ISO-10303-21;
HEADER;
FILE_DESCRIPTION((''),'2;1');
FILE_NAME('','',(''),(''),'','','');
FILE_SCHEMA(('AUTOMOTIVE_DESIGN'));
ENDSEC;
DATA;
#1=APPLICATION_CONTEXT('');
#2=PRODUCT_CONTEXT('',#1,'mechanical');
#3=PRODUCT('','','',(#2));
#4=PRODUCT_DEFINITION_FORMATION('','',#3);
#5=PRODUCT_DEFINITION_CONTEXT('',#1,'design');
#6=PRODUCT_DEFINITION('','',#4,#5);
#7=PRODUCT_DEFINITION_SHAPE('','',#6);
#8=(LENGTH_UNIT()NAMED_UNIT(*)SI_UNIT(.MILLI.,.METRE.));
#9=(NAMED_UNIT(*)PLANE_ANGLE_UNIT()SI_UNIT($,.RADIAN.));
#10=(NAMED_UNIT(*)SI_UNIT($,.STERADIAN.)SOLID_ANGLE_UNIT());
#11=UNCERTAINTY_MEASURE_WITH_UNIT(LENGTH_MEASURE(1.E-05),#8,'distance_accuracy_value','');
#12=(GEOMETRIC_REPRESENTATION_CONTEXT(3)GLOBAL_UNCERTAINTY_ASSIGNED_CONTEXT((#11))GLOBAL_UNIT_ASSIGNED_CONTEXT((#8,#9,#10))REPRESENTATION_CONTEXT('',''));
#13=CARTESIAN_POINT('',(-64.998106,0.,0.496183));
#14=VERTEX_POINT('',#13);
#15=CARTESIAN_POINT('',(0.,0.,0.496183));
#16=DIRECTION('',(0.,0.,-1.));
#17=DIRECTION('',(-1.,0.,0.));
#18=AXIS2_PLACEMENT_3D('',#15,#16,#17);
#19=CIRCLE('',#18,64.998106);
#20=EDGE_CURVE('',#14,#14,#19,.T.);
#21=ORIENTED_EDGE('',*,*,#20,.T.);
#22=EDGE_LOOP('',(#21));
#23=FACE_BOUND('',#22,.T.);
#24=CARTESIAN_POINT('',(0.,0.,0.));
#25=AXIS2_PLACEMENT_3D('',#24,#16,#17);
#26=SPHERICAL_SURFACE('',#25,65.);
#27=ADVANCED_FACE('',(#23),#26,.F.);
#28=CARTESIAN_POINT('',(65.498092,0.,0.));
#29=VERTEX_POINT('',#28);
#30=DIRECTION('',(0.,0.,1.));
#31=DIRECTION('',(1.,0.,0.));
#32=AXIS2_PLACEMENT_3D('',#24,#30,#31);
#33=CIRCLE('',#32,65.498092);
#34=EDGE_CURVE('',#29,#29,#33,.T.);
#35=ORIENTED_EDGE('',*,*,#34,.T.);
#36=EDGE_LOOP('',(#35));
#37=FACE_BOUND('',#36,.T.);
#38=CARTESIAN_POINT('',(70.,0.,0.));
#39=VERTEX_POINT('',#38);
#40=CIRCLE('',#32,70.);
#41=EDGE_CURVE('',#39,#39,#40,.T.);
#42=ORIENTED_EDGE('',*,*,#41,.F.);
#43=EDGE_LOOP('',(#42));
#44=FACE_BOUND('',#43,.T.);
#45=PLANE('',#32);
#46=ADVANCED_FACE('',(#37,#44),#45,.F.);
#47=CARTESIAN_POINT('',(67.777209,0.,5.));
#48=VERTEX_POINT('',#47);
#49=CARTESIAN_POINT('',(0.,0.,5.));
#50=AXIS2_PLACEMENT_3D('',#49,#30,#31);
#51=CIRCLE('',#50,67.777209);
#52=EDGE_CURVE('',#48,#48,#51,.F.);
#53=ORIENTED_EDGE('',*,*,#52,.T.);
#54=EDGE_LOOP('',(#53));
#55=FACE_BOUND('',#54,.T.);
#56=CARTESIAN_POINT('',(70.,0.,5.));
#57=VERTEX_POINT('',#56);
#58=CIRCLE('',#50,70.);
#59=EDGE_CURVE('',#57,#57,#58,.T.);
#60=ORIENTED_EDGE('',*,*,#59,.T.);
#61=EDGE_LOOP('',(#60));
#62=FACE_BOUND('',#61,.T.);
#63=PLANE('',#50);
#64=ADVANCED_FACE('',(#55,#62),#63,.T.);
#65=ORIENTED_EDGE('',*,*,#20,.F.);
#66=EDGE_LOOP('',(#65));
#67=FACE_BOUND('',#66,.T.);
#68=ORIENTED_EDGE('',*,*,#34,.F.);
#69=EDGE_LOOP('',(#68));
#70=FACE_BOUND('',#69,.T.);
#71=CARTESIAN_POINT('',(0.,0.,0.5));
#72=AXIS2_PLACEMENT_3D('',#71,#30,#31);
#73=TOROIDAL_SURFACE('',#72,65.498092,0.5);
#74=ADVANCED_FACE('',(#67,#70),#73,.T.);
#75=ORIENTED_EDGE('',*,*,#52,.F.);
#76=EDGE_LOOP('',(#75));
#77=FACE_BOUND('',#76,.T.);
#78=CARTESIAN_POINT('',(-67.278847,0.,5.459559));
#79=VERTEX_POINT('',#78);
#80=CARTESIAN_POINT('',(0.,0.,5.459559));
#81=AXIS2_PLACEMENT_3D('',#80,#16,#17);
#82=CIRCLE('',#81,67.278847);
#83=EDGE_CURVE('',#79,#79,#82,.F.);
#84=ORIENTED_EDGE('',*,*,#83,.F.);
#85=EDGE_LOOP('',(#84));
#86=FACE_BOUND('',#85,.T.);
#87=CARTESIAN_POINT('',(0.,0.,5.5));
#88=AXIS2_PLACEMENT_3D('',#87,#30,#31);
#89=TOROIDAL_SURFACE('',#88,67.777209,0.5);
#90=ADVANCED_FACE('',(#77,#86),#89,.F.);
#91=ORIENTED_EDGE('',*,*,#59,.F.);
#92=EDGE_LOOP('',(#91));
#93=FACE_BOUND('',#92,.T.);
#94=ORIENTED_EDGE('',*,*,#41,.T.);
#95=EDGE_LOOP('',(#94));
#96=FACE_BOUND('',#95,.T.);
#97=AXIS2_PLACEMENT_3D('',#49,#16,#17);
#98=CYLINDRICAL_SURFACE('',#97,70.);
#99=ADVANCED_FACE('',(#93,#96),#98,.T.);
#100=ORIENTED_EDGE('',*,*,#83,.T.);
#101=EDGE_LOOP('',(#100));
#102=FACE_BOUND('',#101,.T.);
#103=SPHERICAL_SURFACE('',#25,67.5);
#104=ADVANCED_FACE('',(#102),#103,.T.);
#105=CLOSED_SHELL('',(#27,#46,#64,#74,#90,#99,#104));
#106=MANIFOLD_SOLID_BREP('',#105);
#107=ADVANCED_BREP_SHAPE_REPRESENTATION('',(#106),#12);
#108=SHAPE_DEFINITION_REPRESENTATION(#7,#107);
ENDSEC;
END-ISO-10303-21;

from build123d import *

# Parameters (mm, degrees)
SKETCH1_R           = 70
SKETCH1_R_2         = 65
BOSS_EXTRUDE1_DEPTH = 5
REVOLVE1_ANGLE      = 180
FILLET1_R           = 0.5


with BuildPart() as part:
    # Sketch1 → Boss-Extrude1 (new body)
    with BuildSketch(Plane.XY):
        Circle(SKETCH1_R)
        Circle(SKETCH1_R_2, mode=Mode.SUBTRACT)
    extrude(amount=BOSS_EXTRUDE1_DEPTH)

    # Sketch2 → Revolve1 (revolve)
    with BuildSketch(Plane.XY):
        with BuildLine():
            Line((0, 67.5), (0, 65))
            ThreePointArc((0, 65), (65, 0), (0, -65))
            Line((0, -65), (0, -67.5))
            ThreePointArc((0, -67.5), (67.5, 0), (0, 67.5))
        make_face()
    revolve(axis=Axis((0, 67.5, 0), (0, -1, 0)), revolution_arc=REVOLVE1_ANGLE)

    # Fillet1
    fillet1_edges = [part.edges().sort_by_distance(p)[0] for p in [
        (0, 67.314560089, 5),
        (-65, 0, 0),
    ]]
    fillet(fillet1_edges, radius=FILLET1_R)


solid = part.part
